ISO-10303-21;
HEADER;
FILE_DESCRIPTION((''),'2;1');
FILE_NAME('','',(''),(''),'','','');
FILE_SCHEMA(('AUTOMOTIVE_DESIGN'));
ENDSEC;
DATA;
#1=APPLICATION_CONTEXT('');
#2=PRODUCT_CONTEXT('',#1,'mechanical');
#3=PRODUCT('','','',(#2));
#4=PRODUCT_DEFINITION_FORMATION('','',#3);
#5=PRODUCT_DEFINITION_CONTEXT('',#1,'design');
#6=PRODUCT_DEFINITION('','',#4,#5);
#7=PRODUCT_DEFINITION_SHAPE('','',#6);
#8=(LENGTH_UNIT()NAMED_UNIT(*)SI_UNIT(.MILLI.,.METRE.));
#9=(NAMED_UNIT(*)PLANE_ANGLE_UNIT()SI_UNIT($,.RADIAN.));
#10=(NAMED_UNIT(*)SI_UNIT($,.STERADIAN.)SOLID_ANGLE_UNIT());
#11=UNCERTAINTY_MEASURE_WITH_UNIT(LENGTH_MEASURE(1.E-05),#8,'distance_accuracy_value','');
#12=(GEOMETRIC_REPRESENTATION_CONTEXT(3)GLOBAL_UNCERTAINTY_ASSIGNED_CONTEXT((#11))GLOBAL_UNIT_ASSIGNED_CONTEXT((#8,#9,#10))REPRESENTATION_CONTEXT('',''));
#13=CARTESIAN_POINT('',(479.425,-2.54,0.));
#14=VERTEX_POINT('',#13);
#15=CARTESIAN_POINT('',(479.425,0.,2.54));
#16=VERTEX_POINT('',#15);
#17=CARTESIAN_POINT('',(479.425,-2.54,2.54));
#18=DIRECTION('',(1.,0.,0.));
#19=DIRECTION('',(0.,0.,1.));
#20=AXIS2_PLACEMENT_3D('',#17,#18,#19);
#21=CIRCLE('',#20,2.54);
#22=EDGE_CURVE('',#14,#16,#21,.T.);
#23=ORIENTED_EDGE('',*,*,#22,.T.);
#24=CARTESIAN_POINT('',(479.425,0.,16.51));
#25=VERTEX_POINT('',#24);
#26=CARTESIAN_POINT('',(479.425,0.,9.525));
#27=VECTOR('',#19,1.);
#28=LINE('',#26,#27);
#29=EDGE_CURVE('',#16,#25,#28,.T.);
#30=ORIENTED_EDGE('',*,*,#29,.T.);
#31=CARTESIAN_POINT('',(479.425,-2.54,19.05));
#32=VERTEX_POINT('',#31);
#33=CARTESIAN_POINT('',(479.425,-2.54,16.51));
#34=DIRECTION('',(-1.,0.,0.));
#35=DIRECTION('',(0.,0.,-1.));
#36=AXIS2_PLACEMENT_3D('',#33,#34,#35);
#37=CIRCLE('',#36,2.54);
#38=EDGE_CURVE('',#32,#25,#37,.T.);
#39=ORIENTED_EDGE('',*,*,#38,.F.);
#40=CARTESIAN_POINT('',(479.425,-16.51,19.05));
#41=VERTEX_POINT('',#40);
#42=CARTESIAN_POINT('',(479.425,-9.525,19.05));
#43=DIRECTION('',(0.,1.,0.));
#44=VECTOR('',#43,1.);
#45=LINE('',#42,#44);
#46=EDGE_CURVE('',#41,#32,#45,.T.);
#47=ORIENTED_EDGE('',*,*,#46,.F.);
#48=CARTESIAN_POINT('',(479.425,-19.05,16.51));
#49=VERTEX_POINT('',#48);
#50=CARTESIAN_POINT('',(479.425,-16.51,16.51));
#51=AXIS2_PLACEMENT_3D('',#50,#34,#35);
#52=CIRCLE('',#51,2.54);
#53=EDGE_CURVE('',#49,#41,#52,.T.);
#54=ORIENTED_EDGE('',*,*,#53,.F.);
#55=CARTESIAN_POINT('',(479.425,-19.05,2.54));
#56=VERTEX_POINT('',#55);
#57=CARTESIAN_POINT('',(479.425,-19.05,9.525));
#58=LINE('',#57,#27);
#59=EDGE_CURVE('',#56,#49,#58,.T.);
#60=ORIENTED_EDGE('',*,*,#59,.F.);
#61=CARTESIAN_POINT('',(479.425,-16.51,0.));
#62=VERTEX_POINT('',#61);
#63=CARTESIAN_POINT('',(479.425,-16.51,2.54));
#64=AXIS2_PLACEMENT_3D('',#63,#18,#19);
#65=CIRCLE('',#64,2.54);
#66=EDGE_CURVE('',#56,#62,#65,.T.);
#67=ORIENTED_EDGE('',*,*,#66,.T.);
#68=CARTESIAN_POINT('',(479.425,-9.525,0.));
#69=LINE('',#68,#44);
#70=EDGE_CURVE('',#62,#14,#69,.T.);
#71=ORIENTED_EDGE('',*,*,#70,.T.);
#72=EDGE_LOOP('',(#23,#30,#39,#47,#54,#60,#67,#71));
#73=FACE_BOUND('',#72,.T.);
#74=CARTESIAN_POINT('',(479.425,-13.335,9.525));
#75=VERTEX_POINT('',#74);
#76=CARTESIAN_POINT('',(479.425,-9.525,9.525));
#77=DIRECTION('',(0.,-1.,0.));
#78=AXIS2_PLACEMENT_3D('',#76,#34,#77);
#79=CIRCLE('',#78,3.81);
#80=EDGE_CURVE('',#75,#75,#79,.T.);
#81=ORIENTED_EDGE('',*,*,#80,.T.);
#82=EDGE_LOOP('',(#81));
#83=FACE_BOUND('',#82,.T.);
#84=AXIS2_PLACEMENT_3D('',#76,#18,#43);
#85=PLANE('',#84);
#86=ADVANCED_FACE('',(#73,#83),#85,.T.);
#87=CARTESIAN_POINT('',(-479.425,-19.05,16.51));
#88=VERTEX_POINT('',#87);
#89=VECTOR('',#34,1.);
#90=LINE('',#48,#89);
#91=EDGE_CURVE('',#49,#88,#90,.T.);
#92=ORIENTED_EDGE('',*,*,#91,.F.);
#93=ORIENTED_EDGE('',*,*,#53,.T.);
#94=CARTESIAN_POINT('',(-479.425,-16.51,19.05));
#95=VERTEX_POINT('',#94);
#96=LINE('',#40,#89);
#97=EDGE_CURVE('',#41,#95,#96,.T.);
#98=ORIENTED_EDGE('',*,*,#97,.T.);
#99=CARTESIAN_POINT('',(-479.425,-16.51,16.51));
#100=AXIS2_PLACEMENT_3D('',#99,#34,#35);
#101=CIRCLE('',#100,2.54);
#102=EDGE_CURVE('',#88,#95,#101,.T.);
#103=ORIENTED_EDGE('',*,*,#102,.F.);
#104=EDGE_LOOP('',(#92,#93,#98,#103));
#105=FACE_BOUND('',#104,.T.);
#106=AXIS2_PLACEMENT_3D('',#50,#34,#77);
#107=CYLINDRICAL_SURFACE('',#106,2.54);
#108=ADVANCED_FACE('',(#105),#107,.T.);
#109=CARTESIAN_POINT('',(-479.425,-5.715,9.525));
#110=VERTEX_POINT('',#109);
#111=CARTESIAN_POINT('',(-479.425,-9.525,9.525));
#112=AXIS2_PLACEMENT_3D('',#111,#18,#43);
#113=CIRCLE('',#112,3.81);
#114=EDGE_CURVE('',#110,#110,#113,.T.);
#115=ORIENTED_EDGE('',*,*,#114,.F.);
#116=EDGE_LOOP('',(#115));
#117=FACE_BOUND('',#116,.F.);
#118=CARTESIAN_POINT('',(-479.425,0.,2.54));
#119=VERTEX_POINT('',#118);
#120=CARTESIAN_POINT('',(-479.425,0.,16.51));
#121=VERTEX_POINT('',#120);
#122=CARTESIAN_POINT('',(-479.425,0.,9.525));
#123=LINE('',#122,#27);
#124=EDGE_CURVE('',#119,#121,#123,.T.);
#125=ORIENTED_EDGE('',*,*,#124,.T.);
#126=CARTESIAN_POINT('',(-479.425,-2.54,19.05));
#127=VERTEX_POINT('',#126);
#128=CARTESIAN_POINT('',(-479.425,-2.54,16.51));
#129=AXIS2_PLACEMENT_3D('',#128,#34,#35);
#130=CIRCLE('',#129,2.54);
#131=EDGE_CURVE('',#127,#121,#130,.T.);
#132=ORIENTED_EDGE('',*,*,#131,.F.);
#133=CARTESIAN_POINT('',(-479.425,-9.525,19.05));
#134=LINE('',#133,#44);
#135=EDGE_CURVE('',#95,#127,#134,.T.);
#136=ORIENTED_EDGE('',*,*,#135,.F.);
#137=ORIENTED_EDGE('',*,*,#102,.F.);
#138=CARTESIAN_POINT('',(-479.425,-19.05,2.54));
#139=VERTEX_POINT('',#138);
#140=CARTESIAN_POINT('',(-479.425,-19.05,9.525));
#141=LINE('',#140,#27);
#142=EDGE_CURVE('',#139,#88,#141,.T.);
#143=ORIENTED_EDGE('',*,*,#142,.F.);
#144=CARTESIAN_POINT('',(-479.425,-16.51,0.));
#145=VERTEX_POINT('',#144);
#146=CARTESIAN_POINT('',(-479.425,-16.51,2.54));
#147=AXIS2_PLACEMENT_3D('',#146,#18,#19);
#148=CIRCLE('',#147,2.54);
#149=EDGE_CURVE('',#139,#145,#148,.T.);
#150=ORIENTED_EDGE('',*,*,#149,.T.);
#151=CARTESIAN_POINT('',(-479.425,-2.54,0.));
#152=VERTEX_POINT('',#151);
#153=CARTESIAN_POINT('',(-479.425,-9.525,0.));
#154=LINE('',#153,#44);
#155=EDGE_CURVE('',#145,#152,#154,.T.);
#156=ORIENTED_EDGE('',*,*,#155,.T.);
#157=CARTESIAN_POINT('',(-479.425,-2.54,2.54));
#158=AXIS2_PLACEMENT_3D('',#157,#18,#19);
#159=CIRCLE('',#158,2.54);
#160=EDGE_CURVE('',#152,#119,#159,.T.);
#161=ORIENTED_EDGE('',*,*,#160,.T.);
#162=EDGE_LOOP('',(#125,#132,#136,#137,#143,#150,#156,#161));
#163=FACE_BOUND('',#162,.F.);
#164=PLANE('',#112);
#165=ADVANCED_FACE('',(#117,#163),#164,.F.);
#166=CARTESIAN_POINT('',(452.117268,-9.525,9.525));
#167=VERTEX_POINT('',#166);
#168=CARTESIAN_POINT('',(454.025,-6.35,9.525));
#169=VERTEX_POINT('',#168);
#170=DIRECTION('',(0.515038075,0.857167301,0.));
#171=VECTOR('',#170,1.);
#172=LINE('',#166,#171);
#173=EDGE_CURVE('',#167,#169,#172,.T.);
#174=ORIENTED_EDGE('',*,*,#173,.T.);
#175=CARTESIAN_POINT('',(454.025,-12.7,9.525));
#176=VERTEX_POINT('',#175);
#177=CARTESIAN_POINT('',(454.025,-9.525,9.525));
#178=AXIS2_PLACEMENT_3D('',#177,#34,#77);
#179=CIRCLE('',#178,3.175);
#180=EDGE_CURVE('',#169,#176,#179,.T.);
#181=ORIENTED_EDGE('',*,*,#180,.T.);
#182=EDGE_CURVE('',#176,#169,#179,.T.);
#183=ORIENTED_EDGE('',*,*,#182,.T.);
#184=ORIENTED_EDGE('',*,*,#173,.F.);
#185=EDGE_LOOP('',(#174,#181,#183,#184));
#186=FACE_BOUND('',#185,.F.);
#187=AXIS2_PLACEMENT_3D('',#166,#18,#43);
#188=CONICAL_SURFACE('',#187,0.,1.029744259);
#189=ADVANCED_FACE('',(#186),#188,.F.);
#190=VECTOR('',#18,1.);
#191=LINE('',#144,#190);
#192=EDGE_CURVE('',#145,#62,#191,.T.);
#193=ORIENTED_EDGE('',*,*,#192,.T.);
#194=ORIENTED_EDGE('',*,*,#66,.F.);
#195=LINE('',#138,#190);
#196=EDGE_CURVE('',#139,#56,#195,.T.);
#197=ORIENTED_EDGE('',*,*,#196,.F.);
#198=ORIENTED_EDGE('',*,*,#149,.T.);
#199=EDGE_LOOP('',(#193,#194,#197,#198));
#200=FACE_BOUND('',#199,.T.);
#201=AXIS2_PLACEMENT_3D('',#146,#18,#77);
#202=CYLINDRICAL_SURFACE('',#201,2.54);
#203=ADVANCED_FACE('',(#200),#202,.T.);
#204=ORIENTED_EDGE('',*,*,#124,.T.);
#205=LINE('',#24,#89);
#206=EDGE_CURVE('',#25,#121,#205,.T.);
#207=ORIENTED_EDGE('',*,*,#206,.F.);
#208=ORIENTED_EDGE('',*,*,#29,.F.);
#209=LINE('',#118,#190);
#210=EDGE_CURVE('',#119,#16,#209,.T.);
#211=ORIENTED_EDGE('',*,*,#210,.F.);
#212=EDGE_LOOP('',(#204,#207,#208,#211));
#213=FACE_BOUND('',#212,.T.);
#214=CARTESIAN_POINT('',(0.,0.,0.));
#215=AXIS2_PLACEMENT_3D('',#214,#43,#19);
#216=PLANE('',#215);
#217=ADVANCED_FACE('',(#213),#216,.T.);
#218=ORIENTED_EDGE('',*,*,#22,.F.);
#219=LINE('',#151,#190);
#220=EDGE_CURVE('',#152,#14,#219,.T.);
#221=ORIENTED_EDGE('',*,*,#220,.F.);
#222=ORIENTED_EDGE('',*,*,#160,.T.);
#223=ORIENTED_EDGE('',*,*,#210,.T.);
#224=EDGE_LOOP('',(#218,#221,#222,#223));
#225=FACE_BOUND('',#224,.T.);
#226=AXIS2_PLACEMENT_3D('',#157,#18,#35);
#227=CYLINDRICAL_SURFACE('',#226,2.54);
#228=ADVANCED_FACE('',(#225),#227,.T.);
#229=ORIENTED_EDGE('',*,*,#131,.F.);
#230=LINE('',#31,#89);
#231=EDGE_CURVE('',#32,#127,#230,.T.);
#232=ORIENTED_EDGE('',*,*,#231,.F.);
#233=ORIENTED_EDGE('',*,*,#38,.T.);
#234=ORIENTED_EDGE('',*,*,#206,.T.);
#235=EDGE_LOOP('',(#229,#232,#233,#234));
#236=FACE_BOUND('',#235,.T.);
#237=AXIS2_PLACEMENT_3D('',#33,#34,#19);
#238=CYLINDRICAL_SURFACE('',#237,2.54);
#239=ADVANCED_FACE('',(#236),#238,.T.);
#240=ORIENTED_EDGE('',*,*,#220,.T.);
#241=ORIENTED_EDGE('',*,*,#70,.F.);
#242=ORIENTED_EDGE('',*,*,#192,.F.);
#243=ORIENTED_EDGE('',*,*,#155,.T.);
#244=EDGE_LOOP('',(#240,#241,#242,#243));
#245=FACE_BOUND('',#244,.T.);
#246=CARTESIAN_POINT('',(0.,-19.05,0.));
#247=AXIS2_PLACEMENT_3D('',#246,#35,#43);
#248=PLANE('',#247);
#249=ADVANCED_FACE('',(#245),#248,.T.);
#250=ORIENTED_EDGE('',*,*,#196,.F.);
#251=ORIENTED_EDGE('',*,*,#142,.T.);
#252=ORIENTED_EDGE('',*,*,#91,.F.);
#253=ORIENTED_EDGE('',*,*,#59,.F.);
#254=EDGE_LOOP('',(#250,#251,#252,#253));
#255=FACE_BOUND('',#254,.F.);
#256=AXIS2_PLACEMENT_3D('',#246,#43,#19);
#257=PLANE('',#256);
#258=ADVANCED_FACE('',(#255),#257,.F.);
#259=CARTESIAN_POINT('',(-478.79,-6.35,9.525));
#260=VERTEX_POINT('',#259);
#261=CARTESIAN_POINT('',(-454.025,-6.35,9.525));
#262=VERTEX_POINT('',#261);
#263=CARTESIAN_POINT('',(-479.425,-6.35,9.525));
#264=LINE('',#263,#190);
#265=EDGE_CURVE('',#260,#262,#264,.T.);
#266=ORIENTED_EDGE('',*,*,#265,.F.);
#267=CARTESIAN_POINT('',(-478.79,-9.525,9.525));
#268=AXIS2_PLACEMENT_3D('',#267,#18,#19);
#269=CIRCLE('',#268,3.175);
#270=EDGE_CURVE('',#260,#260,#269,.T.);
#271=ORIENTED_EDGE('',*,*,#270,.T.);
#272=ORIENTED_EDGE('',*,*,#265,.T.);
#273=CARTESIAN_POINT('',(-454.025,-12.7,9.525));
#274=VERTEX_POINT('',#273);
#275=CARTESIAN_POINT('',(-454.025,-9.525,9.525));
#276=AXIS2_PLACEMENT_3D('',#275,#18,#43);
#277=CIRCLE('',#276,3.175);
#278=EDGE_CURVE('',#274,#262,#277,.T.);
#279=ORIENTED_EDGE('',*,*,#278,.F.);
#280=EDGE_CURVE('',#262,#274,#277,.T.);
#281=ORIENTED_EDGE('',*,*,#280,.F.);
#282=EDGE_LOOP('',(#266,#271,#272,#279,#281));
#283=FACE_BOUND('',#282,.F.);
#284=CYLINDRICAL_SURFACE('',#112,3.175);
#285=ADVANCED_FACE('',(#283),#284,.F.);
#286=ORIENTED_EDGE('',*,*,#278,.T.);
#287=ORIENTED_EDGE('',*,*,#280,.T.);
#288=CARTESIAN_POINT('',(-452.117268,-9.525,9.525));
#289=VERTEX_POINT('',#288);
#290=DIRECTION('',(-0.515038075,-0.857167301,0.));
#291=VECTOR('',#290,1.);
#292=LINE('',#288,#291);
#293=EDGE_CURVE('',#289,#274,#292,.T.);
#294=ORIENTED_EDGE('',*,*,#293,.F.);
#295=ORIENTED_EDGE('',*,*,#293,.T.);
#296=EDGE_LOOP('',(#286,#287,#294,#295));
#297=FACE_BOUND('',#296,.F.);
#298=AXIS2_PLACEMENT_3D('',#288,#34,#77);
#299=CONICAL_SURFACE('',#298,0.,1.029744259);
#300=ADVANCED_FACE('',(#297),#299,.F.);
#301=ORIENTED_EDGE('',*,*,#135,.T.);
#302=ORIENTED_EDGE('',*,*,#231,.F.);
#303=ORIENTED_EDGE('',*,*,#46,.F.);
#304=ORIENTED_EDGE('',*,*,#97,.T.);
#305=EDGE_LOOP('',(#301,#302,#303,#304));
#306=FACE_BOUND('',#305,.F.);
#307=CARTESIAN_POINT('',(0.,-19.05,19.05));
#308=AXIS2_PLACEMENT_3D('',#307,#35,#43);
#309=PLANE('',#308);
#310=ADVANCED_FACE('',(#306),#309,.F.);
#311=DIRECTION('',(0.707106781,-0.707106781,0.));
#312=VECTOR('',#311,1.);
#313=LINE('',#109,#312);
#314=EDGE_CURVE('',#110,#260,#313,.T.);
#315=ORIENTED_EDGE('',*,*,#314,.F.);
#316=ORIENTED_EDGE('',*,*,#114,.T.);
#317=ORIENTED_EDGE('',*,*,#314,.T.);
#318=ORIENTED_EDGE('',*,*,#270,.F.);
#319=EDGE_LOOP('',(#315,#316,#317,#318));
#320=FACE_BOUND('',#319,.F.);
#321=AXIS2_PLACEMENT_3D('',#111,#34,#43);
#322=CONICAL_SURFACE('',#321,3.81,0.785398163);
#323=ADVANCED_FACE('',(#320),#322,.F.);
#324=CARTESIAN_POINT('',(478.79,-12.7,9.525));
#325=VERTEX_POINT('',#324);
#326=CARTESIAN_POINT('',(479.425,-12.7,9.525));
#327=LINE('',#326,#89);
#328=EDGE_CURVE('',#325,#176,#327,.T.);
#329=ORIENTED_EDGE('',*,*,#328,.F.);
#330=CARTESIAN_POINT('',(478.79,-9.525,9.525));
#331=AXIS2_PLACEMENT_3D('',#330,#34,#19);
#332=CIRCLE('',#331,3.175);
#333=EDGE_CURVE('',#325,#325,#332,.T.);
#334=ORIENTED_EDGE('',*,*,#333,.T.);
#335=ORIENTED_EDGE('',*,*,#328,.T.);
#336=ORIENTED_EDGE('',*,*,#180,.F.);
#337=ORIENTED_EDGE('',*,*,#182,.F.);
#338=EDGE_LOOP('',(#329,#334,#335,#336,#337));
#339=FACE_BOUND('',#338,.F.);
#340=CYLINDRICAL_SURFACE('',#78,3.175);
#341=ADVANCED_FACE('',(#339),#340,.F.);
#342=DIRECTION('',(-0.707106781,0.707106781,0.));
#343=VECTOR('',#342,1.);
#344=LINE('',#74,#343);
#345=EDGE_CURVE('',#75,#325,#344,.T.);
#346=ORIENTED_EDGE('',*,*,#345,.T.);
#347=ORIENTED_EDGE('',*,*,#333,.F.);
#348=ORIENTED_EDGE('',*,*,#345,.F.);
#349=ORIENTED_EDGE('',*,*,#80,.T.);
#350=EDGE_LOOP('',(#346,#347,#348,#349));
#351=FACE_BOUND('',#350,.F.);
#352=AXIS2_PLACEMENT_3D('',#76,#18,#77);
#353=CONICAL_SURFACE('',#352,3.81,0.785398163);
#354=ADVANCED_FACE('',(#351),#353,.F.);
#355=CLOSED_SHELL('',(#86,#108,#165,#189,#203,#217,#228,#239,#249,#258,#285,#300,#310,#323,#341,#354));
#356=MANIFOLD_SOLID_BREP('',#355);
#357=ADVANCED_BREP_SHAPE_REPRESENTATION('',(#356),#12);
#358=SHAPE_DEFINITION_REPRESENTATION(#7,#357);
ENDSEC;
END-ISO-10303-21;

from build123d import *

# Parameters (mm, degrees)
F0_W           = 19.05
F0_H           = 19.05
F1_DEPTH       = 479.425
F3_D           = 6.35
F3_DEPTH       = 25.4
F3_CSINK_D     = 7.62
F3_CSINK_ANGLE = 90
F3_TIP         = 1.9077324654
F5_D           = 6.35
F5_DEPTH       = 25.4
F5_CSINK_D     = 7.62
F5_CSINK_ANGLE = 90
F5_TIP         = 1.9077324654
F6_R           = 2.54


with BuildPart() as f1:
    # F0 (on Right) → F1 (new body, symmetric)
    with BuildSketch(Plane.YZ):
        with Locations((-9.525, 9.525)):
            Rectangle(F0_W, F0_H)
    extrude(amount=F1_DEPTH, both=True)

    # F3
    with Locations(Plane(origin=(-479.425, 0, 0), x_dir=(0, -1, 0), z_dir=(-1, 0, 0))):
        with Locations((9.525, 9.525)):
            CounterSinkHole(F3_D / 2, F3_CSINK_D / 2, depth=F3_DEPTH, counter_sink_angle=F3_CSINK_ANGLE)
            with Locations((0, 0, -(F3_DEPTH + F3_TIP / 2))):  # 118° drill point
                Cone(0, F3_D / 2, F3_TIP, mode=Mode.SUBTRACT)

    # F5
    with Locations(Plane.YZ.offset(479.425)):
        with Locations((-9.525, 9.525)):
            CounterSinkHole(F5_D / 2, F5_CSINK_D / 2, depth=F5_DEPTH, counter_sink_angle=F5_CSINK_ANGLE)
            with Locations((0, 0, -(F5_DEPTH + F5_TIP / 2))):  # 118° drill point
                Cone(0, F5_D / 2, F5_TIP, mode=Mode.SUBTRACT)

    # F6
    f6_edges = [f1.edges().sort_by_distance(p)[0] for p in [
        (0, -19.05, 19.05),
        (0, -19.05, 0),
        (0, 0, 0),
        (0, 0, 19.05),
    ]]
    fillet(f6_edges, radius=F6_R)


solid = f1.part
